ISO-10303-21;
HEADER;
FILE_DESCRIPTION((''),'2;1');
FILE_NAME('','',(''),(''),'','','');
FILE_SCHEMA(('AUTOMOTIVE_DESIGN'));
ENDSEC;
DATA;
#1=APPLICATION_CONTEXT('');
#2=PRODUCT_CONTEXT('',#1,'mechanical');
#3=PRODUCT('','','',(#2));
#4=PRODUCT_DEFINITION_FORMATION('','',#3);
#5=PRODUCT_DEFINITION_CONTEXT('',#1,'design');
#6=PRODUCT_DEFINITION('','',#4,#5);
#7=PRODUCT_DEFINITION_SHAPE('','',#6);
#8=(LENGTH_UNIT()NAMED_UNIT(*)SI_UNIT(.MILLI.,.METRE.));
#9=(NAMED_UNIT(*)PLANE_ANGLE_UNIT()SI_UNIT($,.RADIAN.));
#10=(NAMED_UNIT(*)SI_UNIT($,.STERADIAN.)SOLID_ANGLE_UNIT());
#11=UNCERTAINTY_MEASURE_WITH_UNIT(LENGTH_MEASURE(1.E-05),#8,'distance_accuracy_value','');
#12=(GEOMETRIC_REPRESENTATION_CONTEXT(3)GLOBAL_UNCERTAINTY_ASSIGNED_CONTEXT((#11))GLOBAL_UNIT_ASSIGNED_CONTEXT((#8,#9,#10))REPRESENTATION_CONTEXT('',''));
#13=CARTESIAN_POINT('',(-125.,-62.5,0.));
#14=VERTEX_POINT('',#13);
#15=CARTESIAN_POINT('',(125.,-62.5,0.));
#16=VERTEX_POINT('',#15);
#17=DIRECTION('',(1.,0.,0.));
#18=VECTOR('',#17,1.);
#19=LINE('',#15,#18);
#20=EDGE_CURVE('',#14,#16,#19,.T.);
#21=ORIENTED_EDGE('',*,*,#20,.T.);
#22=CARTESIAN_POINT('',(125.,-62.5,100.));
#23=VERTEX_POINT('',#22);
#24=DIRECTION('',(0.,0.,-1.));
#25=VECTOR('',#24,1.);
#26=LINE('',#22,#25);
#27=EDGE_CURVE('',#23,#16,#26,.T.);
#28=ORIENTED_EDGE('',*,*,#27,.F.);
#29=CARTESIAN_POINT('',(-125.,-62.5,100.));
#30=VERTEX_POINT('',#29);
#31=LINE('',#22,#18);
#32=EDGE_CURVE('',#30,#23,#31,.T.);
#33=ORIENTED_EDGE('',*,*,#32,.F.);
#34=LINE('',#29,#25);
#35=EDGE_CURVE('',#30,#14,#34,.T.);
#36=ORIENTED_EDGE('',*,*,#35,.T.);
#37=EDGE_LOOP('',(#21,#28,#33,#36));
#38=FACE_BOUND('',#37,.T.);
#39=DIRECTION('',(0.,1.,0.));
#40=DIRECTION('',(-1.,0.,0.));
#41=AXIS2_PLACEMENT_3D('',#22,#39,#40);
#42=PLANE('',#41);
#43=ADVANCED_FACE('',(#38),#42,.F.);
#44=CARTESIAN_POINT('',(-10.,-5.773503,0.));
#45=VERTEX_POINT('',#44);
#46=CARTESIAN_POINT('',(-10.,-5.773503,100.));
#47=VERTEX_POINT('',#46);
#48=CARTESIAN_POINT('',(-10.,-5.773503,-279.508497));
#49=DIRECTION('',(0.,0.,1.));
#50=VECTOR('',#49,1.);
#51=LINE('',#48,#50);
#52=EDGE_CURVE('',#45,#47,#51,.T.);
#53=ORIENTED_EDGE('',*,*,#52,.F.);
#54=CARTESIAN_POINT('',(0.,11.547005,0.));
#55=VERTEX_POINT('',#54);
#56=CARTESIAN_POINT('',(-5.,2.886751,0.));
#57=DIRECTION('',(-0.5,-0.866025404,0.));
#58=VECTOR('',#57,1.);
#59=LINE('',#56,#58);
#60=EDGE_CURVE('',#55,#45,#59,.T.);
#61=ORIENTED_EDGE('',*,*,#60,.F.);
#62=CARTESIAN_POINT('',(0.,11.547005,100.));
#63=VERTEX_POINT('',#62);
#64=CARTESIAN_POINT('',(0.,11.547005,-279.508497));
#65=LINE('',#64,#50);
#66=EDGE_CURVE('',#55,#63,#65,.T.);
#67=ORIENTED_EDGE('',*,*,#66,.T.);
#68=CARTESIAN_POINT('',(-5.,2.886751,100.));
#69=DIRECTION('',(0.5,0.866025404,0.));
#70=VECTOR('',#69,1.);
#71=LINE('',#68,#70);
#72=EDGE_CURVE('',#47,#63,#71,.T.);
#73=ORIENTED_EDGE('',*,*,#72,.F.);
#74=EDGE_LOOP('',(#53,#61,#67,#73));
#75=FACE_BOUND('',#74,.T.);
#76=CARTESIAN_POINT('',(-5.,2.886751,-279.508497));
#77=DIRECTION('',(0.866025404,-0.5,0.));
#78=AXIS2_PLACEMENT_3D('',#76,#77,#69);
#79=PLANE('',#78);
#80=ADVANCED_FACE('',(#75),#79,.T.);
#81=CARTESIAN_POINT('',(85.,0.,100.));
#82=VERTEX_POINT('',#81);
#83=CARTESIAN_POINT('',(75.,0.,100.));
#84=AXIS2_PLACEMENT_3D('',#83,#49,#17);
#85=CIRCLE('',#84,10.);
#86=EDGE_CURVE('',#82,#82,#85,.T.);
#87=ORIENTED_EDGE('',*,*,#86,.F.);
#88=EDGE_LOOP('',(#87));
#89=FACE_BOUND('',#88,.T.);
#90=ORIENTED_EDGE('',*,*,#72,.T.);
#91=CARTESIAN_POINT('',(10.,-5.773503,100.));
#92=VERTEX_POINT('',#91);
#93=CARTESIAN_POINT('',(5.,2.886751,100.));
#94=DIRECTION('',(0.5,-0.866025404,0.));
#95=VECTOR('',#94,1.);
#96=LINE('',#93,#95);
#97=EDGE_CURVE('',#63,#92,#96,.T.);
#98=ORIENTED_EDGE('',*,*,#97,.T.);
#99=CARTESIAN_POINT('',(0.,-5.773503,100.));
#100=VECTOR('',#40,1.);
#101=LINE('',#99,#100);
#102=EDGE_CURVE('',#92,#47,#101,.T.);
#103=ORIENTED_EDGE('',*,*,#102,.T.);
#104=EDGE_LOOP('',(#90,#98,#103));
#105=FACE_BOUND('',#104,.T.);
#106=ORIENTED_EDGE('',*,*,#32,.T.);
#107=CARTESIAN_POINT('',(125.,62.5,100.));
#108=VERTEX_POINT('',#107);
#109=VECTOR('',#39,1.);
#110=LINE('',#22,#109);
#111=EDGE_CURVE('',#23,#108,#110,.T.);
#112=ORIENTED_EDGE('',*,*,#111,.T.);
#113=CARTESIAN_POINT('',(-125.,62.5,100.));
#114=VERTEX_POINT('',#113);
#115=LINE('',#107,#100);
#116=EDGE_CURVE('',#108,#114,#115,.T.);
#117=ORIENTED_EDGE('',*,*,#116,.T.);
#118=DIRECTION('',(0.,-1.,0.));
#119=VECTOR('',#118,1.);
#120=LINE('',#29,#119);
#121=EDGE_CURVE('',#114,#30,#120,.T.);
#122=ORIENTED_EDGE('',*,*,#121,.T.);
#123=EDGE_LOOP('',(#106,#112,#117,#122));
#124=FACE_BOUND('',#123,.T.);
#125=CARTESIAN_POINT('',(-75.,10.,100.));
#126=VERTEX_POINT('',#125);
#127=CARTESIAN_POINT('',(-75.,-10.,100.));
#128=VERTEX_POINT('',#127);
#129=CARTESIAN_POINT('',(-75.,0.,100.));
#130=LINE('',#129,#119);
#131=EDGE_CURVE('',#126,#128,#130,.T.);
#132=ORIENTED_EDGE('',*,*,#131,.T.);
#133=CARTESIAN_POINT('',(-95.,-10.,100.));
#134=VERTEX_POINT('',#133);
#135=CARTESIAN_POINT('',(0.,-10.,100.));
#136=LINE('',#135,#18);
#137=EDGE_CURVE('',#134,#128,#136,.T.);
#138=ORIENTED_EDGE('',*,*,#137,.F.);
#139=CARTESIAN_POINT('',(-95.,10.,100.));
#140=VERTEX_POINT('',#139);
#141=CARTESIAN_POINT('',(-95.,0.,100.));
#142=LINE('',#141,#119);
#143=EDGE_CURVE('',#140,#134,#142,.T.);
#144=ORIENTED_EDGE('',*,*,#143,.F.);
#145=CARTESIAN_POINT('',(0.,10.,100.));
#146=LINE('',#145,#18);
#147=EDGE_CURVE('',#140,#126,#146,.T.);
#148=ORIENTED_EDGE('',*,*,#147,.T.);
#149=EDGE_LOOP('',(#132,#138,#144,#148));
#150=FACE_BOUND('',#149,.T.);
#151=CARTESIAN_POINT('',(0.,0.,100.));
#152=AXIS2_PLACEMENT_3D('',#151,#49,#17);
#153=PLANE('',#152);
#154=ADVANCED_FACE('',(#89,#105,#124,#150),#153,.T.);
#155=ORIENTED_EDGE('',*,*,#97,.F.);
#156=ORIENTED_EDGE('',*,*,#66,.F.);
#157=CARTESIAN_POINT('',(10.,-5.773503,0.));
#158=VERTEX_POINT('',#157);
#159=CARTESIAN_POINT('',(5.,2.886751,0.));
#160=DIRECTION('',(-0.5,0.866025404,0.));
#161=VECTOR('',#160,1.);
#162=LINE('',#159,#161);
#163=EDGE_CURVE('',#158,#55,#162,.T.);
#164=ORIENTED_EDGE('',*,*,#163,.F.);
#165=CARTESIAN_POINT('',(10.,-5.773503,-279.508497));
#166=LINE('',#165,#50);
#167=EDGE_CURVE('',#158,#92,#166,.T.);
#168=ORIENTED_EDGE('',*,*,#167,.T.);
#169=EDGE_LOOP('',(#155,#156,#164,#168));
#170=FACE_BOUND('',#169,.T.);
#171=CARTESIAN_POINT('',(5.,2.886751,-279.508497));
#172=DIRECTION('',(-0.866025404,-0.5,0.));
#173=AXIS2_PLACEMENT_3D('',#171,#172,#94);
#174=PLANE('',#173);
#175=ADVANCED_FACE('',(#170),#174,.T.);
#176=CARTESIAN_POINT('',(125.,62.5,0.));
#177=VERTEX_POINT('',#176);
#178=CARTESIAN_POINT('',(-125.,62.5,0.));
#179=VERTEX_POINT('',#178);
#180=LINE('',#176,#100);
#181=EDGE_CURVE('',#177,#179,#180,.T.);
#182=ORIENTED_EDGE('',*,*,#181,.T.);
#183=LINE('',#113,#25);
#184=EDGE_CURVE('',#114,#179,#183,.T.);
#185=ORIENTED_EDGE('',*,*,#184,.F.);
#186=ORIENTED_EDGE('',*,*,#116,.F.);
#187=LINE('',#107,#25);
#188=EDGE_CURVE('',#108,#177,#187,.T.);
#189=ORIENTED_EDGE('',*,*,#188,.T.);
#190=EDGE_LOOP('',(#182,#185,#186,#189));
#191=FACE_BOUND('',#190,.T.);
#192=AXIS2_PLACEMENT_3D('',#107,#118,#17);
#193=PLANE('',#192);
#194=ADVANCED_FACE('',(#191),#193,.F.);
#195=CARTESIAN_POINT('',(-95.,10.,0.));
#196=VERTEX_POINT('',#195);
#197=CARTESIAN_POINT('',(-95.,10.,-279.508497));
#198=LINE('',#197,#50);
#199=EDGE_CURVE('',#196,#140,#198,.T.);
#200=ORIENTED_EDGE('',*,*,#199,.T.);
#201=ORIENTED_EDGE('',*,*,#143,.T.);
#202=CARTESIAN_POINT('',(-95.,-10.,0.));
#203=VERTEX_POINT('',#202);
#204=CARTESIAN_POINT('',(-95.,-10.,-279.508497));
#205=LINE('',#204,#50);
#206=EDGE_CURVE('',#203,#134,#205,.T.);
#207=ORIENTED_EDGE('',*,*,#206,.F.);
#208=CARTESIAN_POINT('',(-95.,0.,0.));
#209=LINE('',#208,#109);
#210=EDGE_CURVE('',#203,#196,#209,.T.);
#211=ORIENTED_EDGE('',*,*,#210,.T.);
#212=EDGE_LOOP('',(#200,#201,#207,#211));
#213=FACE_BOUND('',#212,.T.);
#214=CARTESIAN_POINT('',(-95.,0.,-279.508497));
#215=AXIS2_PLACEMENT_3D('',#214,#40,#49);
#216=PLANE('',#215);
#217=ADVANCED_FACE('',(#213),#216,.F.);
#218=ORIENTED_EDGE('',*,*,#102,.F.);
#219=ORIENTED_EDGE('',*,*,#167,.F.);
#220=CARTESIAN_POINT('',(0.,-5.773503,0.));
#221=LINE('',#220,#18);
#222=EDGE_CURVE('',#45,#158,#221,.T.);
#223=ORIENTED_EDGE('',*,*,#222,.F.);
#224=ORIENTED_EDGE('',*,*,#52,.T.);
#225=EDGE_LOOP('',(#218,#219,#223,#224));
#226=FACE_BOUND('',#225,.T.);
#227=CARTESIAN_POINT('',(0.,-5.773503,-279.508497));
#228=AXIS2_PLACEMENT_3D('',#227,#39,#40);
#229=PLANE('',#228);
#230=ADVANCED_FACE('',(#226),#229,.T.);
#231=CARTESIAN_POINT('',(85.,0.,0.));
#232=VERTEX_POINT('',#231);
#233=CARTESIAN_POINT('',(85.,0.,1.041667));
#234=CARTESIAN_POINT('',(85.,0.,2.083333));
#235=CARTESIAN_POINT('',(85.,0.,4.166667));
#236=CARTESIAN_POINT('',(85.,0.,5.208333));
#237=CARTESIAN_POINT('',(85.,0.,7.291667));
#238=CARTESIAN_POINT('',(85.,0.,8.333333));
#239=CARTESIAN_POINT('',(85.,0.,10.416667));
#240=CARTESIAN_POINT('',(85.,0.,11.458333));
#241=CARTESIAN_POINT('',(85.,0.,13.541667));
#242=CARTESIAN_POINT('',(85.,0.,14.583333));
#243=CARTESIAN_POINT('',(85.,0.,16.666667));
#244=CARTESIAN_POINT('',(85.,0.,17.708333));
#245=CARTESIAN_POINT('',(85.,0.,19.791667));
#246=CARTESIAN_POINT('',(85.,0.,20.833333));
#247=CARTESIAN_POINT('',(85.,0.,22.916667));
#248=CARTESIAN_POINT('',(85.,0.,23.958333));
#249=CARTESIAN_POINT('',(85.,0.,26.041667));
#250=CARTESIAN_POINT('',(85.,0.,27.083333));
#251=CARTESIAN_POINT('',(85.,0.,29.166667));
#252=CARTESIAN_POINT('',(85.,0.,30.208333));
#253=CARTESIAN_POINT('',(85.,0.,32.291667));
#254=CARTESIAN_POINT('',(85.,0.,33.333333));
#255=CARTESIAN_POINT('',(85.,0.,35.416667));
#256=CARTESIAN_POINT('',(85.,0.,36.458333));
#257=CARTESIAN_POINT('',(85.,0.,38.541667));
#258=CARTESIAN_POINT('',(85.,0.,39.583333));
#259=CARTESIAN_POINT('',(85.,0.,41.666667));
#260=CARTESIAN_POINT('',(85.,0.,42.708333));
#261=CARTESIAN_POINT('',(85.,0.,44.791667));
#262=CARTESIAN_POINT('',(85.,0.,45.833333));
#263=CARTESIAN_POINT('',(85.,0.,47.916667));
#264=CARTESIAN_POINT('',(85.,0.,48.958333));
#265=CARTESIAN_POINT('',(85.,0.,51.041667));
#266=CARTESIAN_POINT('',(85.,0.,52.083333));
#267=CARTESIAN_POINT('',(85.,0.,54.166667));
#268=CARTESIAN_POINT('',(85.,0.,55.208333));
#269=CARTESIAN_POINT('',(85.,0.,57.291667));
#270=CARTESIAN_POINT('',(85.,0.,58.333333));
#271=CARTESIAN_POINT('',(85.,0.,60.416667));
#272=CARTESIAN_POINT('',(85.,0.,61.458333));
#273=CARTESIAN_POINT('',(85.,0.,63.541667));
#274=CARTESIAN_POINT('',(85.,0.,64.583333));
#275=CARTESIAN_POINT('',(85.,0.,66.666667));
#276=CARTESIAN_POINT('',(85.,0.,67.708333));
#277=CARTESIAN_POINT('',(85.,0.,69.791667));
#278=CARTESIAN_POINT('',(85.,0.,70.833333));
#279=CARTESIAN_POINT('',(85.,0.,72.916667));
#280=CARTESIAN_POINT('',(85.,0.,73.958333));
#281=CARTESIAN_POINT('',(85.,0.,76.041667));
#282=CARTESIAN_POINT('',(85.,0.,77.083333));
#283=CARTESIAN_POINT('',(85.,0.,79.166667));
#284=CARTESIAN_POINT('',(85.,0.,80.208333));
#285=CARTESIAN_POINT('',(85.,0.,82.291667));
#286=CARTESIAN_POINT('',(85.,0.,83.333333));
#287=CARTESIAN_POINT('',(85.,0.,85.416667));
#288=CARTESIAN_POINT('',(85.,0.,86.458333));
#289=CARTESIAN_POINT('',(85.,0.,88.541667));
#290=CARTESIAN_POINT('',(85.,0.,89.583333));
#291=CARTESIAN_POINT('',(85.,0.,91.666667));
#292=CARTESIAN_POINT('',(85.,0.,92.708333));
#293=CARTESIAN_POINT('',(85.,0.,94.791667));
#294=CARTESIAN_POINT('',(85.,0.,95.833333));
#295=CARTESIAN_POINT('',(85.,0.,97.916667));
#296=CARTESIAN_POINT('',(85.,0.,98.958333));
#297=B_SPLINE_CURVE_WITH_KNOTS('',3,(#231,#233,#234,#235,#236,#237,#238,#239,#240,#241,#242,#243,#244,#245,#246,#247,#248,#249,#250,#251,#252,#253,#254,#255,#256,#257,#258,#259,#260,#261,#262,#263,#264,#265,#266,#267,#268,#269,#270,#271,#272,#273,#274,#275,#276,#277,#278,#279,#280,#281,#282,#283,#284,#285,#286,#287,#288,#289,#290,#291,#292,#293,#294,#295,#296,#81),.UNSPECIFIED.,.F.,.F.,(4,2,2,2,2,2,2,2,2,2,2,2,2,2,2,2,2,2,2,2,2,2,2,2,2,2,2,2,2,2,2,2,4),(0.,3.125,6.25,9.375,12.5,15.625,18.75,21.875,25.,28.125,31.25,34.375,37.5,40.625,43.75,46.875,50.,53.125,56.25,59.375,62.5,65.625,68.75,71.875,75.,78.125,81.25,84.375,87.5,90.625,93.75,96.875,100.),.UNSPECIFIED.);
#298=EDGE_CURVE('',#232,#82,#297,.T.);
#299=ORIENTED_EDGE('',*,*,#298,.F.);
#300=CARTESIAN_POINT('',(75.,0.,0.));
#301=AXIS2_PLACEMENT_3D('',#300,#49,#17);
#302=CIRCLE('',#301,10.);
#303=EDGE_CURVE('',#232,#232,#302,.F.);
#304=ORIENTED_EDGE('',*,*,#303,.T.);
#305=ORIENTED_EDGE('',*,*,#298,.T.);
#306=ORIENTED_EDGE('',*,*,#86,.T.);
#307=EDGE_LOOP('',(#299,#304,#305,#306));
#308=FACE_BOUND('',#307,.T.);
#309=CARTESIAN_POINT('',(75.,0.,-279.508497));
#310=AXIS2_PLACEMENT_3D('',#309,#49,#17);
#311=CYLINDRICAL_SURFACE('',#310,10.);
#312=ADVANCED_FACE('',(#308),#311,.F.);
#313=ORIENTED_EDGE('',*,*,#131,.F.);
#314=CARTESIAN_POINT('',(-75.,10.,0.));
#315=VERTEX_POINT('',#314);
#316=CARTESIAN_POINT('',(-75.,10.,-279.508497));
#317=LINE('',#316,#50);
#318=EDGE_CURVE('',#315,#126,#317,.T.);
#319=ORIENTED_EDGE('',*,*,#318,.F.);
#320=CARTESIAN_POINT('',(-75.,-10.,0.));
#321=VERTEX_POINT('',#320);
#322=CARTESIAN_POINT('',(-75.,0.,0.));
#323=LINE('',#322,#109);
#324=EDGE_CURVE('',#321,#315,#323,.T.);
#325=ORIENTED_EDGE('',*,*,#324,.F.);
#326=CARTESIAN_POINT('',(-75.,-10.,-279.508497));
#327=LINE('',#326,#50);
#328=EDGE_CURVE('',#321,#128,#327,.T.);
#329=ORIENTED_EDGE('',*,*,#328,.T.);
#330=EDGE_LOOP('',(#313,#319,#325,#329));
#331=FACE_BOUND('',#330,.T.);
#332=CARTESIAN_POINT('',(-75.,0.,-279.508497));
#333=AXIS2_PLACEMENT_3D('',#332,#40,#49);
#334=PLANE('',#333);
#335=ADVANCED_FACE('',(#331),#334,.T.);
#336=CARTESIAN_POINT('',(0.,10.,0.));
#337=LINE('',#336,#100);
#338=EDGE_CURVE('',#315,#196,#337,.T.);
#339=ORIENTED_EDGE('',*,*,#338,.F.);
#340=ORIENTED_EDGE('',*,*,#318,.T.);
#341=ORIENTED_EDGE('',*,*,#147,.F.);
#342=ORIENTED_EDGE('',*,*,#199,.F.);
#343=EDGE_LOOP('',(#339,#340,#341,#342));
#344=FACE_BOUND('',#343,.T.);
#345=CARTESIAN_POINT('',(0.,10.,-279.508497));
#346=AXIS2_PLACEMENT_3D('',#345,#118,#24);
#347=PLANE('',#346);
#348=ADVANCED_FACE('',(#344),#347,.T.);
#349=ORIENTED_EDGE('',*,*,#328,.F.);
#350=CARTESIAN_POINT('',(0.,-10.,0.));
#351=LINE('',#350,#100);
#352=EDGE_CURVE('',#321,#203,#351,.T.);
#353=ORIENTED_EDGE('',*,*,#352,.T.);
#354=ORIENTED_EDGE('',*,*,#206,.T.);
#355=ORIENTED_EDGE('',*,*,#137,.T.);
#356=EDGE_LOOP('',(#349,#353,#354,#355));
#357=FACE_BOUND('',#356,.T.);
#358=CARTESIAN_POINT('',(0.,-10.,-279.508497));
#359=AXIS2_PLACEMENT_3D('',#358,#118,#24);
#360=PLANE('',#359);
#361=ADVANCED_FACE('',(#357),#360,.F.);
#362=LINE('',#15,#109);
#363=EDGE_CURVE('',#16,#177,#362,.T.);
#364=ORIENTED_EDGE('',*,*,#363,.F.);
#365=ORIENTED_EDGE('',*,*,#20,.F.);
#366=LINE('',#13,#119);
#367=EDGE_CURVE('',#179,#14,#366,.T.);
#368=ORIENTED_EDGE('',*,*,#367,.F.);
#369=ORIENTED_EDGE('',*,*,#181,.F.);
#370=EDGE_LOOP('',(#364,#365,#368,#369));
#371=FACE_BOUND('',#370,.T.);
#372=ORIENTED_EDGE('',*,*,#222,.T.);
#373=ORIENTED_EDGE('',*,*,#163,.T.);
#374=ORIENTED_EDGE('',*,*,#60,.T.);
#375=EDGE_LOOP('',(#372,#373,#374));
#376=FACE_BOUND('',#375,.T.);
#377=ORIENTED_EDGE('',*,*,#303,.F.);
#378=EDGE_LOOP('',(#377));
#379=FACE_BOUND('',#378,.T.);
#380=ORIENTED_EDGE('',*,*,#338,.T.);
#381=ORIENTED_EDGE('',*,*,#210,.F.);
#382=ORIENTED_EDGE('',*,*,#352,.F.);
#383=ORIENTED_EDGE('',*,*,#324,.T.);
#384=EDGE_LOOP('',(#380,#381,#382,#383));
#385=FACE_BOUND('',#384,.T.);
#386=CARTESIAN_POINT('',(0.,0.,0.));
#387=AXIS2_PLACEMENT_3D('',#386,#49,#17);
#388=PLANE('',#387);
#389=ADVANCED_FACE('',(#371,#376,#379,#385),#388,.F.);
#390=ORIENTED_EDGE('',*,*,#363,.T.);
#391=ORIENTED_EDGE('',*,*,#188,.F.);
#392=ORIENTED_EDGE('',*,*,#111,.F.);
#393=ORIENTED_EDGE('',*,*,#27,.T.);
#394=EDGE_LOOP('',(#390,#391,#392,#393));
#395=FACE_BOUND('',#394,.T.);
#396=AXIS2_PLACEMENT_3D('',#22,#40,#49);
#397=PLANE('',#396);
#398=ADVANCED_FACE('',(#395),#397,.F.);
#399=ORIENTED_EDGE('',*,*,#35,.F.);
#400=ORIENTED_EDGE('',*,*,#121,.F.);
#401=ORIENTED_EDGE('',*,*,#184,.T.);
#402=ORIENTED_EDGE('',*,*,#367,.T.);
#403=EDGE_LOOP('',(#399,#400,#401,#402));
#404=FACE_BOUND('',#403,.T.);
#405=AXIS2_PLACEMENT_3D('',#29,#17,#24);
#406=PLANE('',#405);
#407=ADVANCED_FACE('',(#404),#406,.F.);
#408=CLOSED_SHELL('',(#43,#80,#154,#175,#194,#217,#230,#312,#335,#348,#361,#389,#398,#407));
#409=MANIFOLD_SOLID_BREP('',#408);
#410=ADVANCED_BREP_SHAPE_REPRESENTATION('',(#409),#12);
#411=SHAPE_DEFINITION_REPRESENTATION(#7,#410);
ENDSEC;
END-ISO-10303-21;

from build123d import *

# Parameters (mm, degrees)
SKETCH1_W           = 250
SKETCH1_H           = 125
SKETCH1_W_2         = 230
SKETCH1_H_2         = 115
BOSS_EXTRUDE1_DEPTH = 100
SKETCH3_W           = 250
SKETCH3_H           = 125
SKETCH3_W_2         = 230
SKETCH3_H_2         = 115
SKETCH3_R           = 10
SKETCH3_W_3         = 20
SKETCH3_H_3         = 20
BOSS_EXTRUDE4_DEPTH = 100


with BuildPart() as part:
    # Sketch1 → Boss-Extrude1 (new body)
    with BuildSketch(Plane.XY):
        Rectangle(SKETCH1_W, SKETCH1_H)
        Rectangle(SKETCH1_W_2, SKETCH1_H_2, mode=Mode.SUBTRACT)
    extrude(amount=BOSS_EXTRUDE1_DEPTH)

    # Sketch3 → Boss-Extrude4 (add)
    # profile 1 of 2: a face of its own
    with BuildSketch(Plane.XY.offset(100)):
        Rectangle(SKETCH3_W, SKETCH3_H)
        Rectangle(SKETCH3_W_2, SKETCH3_H_2, mode=Mode.SUBTRACT)
    # profile 2 of 2: a face of its own
    with BuildSketch(Plane.XY.offset(100)):
        Rectangle(SKETCH3_W_2, SKETCH3_H_2)
        with Locations((75, 0)):
            Circle(SKETCH3_R, mode=Mode.SUBTRACT)
        with Locations((-85, 0)):
            Rectangle(SKETCH3_W_3, SKETCH3_H_3, mode=Mode.SUBTRACT)
        Polygon((0, 11.547005384), (10, -5.773502692), (-10, -5.773502692), align=None, mode=Mode.SUBTRACT)
    extrude(amount=-BOSS_EXTRUDE4_DEPTH)


solid = part.part
